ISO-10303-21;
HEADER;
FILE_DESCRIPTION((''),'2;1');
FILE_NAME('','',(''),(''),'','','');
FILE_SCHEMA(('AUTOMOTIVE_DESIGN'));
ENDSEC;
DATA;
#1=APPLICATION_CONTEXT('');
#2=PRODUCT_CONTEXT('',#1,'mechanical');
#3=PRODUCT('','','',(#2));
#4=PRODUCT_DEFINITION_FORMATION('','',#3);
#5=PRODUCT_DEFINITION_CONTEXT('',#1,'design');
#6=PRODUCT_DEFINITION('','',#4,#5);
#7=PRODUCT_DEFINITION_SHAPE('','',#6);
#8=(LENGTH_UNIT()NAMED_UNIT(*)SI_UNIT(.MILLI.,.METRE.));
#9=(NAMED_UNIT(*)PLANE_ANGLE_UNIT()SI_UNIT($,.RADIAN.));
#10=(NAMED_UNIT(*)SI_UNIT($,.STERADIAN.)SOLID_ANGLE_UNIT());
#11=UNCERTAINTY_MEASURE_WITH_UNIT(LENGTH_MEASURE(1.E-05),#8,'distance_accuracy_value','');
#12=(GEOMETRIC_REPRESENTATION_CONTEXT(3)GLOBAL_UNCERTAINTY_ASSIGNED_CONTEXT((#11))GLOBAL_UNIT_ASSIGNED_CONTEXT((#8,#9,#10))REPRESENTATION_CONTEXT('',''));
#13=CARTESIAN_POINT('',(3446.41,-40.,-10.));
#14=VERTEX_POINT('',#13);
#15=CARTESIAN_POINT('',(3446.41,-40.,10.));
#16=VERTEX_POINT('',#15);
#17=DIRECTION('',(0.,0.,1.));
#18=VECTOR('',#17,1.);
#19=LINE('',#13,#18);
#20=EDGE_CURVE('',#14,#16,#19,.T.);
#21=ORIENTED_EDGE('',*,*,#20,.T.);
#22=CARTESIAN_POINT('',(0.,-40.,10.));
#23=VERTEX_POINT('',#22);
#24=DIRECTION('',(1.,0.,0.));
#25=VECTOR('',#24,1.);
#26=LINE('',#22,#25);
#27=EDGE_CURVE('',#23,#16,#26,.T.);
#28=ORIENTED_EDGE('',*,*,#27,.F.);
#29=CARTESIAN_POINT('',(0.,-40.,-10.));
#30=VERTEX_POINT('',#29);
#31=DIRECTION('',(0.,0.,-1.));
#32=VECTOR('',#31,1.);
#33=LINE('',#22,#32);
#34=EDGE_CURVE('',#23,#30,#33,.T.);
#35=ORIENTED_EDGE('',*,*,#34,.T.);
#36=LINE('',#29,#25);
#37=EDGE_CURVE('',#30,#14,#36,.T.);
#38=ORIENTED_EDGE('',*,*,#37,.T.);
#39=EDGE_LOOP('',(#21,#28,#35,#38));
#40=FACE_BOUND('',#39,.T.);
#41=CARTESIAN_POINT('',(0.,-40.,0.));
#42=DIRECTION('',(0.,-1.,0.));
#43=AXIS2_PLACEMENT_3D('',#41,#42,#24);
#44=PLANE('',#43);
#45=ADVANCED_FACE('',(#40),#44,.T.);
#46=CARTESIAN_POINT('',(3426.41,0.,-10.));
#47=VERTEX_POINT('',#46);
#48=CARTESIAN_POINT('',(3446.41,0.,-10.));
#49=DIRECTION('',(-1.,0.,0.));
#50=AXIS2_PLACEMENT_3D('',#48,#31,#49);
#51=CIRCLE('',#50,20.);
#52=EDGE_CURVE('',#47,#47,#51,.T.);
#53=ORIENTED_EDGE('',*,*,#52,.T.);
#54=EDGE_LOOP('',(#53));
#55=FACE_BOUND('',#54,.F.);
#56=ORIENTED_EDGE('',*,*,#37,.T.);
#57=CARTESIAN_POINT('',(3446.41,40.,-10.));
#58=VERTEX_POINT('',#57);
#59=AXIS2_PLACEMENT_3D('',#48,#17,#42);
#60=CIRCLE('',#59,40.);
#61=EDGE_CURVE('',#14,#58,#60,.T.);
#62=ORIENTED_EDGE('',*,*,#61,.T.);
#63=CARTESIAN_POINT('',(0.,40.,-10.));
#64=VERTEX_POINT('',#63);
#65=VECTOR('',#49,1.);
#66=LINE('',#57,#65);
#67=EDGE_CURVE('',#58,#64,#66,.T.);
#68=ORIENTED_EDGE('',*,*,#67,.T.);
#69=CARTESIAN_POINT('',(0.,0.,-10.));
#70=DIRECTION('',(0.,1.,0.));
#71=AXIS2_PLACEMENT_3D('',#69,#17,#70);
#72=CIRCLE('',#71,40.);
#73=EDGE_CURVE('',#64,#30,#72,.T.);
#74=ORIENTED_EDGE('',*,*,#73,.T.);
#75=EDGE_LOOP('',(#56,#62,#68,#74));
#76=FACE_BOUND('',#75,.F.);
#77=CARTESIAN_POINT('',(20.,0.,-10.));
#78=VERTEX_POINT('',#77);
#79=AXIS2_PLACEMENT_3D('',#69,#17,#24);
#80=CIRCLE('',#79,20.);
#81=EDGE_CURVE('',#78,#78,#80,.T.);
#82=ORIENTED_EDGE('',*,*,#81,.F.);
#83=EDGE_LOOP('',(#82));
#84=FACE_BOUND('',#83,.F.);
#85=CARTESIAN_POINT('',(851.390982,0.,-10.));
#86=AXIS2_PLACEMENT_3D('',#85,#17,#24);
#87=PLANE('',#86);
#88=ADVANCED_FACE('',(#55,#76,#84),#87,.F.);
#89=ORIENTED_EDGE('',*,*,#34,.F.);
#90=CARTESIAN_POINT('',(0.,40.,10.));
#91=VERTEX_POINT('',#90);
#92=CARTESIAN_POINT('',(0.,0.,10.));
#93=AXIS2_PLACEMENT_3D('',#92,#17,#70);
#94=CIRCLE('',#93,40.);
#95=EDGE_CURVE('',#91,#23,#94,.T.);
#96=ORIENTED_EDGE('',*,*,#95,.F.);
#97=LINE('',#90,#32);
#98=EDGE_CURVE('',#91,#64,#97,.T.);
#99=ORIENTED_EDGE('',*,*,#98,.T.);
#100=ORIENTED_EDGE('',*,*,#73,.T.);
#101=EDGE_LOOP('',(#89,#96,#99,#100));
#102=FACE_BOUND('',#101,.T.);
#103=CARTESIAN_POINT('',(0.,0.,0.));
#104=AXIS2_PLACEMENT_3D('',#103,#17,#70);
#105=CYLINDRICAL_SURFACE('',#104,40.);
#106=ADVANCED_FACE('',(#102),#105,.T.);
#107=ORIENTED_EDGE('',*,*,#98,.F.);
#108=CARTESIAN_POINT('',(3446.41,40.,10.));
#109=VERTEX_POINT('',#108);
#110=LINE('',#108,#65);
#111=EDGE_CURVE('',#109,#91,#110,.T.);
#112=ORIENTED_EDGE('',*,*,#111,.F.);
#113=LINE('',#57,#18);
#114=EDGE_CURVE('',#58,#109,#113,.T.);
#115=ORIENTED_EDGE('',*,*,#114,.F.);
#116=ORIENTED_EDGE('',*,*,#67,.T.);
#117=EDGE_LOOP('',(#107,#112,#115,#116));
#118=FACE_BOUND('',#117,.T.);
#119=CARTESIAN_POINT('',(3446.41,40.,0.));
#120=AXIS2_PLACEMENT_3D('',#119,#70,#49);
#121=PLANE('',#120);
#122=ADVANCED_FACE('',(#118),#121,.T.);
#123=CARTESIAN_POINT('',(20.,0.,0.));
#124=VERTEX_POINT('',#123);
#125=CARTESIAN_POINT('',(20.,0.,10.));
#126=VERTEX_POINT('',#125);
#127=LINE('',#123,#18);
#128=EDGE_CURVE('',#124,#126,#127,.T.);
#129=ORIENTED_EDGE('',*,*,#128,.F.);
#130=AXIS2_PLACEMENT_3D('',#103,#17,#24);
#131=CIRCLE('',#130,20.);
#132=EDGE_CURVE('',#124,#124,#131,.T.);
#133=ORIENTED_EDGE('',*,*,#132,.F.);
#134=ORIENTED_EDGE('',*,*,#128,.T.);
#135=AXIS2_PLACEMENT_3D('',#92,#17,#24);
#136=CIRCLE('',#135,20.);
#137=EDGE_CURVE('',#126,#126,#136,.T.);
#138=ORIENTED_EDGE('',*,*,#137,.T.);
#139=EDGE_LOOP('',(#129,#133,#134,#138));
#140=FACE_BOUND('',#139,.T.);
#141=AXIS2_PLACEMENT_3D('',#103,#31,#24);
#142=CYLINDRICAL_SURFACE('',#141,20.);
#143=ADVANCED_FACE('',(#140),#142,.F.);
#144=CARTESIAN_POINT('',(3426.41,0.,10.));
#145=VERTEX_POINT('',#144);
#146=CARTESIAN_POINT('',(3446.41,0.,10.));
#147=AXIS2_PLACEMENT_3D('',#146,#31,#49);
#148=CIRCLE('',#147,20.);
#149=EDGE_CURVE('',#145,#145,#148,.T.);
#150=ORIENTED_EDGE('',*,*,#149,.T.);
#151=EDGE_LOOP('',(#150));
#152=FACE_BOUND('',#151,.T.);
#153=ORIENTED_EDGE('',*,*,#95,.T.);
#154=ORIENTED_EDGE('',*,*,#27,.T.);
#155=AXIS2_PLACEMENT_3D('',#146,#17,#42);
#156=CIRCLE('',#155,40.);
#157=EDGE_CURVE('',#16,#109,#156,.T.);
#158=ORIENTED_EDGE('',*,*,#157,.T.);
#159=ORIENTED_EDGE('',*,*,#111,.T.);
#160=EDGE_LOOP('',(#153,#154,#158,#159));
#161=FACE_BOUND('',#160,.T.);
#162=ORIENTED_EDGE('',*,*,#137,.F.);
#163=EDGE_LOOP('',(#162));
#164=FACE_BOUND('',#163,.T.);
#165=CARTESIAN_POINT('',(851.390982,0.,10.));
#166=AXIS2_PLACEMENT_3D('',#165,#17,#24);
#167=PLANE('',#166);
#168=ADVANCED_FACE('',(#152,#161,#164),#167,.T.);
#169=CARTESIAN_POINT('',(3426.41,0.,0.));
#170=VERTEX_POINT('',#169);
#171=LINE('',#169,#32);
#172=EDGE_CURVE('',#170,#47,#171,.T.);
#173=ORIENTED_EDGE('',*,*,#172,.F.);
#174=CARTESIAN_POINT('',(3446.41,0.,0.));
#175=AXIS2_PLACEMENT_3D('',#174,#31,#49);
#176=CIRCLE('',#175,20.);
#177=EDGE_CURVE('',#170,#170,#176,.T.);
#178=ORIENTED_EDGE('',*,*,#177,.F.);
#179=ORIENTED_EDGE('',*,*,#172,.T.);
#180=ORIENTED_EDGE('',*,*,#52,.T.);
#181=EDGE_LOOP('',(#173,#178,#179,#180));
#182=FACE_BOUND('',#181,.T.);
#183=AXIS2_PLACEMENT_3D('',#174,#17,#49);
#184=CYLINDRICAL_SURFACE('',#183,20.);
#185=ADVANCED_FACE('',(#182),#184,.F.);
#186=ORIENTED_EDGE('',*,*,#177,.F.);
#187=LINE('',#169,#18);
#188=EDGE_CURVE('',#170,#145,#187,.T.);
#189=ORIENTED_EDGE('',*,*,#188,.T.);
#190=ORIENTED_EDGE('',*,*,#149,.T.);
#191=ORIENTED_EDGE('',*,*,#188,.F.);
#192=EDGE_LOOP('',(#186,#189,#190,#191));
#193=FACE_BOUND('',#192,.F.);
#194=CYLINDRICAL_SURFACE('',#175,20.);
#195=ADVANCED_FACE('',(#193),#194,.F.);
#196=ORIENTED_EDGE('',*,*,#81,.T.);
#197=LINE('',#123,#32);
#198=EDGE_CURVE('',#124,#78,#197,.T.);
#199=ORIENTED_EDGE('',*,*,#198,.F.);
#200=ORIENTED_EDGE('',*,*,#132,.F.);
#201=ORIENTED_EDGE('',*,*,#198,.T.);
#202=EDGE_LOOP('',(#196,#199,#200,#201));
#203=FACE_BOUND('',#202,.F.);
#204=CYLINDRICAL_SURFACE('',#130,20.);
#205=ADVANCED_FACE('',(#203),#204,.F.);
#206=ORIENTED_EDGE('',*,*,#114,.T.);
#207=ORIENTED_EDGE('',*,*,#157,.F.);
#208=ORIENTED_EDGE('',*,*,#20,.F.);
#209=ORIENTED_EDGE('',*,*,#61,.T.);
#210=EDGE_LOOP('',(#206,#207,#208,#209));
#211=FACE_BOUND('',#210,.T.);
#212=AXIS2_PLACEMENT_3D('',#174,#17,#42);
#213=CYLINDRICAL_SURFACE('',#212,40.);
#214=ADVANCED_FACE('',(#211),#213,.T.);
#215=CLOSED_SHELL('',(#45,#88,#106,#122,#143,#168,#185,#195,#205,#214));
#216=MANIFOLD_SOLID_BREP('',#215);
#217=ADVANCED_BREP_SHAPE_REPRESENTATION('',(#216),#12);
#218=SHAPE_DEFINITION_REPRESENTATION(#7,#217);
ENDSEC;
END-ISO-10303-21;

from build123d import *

# Parameters (mm, degrees)
F0_R     = 20
F1_DEPTH = 10


with BuildPart() as f1:
    # F0 (on Top) → F1 (new body, symmetric)
    with BuildSketch(Plane.XY):
        with BuildLine():
            Line((1723.205, -40), (1723.205, 0))
            Line((1723.205, 0), (1723.205, 40))
            Line((1723.205, 40), (0, 40))
            ThreePointArc((0, 40), (-40, 0), (0, -40))
            Line((0, -40), (1723.205, -40))
        make_face()
        Circle(F0_R, mode=Mode.SUBTRACT)
        with BuildLine():
            Line((1723.205, 40), (1723.205, 0))
            Line((1723.205, 0), (1723.205, -40))
            Line((1723.205, -40), (3446.41, -40))
            ThreePointArc((3446.41, -40), (3486.41, 0), (3446.41, 40))
            Line((3446.41, 40), (1723.205, 40))
        make_face()
        with BuildLine():
            ThreePointArc((3466.41, 0), (3446.41, -20), (3426.41, 0))
            ThreePointArc((3426.41, 0), (3446.41, 20), (3466.41, 0))
        make_face(mode=Mode.SUBTRACT)
    extrude(amount=F1_DEPTH, both=True)


solid = f1.part
